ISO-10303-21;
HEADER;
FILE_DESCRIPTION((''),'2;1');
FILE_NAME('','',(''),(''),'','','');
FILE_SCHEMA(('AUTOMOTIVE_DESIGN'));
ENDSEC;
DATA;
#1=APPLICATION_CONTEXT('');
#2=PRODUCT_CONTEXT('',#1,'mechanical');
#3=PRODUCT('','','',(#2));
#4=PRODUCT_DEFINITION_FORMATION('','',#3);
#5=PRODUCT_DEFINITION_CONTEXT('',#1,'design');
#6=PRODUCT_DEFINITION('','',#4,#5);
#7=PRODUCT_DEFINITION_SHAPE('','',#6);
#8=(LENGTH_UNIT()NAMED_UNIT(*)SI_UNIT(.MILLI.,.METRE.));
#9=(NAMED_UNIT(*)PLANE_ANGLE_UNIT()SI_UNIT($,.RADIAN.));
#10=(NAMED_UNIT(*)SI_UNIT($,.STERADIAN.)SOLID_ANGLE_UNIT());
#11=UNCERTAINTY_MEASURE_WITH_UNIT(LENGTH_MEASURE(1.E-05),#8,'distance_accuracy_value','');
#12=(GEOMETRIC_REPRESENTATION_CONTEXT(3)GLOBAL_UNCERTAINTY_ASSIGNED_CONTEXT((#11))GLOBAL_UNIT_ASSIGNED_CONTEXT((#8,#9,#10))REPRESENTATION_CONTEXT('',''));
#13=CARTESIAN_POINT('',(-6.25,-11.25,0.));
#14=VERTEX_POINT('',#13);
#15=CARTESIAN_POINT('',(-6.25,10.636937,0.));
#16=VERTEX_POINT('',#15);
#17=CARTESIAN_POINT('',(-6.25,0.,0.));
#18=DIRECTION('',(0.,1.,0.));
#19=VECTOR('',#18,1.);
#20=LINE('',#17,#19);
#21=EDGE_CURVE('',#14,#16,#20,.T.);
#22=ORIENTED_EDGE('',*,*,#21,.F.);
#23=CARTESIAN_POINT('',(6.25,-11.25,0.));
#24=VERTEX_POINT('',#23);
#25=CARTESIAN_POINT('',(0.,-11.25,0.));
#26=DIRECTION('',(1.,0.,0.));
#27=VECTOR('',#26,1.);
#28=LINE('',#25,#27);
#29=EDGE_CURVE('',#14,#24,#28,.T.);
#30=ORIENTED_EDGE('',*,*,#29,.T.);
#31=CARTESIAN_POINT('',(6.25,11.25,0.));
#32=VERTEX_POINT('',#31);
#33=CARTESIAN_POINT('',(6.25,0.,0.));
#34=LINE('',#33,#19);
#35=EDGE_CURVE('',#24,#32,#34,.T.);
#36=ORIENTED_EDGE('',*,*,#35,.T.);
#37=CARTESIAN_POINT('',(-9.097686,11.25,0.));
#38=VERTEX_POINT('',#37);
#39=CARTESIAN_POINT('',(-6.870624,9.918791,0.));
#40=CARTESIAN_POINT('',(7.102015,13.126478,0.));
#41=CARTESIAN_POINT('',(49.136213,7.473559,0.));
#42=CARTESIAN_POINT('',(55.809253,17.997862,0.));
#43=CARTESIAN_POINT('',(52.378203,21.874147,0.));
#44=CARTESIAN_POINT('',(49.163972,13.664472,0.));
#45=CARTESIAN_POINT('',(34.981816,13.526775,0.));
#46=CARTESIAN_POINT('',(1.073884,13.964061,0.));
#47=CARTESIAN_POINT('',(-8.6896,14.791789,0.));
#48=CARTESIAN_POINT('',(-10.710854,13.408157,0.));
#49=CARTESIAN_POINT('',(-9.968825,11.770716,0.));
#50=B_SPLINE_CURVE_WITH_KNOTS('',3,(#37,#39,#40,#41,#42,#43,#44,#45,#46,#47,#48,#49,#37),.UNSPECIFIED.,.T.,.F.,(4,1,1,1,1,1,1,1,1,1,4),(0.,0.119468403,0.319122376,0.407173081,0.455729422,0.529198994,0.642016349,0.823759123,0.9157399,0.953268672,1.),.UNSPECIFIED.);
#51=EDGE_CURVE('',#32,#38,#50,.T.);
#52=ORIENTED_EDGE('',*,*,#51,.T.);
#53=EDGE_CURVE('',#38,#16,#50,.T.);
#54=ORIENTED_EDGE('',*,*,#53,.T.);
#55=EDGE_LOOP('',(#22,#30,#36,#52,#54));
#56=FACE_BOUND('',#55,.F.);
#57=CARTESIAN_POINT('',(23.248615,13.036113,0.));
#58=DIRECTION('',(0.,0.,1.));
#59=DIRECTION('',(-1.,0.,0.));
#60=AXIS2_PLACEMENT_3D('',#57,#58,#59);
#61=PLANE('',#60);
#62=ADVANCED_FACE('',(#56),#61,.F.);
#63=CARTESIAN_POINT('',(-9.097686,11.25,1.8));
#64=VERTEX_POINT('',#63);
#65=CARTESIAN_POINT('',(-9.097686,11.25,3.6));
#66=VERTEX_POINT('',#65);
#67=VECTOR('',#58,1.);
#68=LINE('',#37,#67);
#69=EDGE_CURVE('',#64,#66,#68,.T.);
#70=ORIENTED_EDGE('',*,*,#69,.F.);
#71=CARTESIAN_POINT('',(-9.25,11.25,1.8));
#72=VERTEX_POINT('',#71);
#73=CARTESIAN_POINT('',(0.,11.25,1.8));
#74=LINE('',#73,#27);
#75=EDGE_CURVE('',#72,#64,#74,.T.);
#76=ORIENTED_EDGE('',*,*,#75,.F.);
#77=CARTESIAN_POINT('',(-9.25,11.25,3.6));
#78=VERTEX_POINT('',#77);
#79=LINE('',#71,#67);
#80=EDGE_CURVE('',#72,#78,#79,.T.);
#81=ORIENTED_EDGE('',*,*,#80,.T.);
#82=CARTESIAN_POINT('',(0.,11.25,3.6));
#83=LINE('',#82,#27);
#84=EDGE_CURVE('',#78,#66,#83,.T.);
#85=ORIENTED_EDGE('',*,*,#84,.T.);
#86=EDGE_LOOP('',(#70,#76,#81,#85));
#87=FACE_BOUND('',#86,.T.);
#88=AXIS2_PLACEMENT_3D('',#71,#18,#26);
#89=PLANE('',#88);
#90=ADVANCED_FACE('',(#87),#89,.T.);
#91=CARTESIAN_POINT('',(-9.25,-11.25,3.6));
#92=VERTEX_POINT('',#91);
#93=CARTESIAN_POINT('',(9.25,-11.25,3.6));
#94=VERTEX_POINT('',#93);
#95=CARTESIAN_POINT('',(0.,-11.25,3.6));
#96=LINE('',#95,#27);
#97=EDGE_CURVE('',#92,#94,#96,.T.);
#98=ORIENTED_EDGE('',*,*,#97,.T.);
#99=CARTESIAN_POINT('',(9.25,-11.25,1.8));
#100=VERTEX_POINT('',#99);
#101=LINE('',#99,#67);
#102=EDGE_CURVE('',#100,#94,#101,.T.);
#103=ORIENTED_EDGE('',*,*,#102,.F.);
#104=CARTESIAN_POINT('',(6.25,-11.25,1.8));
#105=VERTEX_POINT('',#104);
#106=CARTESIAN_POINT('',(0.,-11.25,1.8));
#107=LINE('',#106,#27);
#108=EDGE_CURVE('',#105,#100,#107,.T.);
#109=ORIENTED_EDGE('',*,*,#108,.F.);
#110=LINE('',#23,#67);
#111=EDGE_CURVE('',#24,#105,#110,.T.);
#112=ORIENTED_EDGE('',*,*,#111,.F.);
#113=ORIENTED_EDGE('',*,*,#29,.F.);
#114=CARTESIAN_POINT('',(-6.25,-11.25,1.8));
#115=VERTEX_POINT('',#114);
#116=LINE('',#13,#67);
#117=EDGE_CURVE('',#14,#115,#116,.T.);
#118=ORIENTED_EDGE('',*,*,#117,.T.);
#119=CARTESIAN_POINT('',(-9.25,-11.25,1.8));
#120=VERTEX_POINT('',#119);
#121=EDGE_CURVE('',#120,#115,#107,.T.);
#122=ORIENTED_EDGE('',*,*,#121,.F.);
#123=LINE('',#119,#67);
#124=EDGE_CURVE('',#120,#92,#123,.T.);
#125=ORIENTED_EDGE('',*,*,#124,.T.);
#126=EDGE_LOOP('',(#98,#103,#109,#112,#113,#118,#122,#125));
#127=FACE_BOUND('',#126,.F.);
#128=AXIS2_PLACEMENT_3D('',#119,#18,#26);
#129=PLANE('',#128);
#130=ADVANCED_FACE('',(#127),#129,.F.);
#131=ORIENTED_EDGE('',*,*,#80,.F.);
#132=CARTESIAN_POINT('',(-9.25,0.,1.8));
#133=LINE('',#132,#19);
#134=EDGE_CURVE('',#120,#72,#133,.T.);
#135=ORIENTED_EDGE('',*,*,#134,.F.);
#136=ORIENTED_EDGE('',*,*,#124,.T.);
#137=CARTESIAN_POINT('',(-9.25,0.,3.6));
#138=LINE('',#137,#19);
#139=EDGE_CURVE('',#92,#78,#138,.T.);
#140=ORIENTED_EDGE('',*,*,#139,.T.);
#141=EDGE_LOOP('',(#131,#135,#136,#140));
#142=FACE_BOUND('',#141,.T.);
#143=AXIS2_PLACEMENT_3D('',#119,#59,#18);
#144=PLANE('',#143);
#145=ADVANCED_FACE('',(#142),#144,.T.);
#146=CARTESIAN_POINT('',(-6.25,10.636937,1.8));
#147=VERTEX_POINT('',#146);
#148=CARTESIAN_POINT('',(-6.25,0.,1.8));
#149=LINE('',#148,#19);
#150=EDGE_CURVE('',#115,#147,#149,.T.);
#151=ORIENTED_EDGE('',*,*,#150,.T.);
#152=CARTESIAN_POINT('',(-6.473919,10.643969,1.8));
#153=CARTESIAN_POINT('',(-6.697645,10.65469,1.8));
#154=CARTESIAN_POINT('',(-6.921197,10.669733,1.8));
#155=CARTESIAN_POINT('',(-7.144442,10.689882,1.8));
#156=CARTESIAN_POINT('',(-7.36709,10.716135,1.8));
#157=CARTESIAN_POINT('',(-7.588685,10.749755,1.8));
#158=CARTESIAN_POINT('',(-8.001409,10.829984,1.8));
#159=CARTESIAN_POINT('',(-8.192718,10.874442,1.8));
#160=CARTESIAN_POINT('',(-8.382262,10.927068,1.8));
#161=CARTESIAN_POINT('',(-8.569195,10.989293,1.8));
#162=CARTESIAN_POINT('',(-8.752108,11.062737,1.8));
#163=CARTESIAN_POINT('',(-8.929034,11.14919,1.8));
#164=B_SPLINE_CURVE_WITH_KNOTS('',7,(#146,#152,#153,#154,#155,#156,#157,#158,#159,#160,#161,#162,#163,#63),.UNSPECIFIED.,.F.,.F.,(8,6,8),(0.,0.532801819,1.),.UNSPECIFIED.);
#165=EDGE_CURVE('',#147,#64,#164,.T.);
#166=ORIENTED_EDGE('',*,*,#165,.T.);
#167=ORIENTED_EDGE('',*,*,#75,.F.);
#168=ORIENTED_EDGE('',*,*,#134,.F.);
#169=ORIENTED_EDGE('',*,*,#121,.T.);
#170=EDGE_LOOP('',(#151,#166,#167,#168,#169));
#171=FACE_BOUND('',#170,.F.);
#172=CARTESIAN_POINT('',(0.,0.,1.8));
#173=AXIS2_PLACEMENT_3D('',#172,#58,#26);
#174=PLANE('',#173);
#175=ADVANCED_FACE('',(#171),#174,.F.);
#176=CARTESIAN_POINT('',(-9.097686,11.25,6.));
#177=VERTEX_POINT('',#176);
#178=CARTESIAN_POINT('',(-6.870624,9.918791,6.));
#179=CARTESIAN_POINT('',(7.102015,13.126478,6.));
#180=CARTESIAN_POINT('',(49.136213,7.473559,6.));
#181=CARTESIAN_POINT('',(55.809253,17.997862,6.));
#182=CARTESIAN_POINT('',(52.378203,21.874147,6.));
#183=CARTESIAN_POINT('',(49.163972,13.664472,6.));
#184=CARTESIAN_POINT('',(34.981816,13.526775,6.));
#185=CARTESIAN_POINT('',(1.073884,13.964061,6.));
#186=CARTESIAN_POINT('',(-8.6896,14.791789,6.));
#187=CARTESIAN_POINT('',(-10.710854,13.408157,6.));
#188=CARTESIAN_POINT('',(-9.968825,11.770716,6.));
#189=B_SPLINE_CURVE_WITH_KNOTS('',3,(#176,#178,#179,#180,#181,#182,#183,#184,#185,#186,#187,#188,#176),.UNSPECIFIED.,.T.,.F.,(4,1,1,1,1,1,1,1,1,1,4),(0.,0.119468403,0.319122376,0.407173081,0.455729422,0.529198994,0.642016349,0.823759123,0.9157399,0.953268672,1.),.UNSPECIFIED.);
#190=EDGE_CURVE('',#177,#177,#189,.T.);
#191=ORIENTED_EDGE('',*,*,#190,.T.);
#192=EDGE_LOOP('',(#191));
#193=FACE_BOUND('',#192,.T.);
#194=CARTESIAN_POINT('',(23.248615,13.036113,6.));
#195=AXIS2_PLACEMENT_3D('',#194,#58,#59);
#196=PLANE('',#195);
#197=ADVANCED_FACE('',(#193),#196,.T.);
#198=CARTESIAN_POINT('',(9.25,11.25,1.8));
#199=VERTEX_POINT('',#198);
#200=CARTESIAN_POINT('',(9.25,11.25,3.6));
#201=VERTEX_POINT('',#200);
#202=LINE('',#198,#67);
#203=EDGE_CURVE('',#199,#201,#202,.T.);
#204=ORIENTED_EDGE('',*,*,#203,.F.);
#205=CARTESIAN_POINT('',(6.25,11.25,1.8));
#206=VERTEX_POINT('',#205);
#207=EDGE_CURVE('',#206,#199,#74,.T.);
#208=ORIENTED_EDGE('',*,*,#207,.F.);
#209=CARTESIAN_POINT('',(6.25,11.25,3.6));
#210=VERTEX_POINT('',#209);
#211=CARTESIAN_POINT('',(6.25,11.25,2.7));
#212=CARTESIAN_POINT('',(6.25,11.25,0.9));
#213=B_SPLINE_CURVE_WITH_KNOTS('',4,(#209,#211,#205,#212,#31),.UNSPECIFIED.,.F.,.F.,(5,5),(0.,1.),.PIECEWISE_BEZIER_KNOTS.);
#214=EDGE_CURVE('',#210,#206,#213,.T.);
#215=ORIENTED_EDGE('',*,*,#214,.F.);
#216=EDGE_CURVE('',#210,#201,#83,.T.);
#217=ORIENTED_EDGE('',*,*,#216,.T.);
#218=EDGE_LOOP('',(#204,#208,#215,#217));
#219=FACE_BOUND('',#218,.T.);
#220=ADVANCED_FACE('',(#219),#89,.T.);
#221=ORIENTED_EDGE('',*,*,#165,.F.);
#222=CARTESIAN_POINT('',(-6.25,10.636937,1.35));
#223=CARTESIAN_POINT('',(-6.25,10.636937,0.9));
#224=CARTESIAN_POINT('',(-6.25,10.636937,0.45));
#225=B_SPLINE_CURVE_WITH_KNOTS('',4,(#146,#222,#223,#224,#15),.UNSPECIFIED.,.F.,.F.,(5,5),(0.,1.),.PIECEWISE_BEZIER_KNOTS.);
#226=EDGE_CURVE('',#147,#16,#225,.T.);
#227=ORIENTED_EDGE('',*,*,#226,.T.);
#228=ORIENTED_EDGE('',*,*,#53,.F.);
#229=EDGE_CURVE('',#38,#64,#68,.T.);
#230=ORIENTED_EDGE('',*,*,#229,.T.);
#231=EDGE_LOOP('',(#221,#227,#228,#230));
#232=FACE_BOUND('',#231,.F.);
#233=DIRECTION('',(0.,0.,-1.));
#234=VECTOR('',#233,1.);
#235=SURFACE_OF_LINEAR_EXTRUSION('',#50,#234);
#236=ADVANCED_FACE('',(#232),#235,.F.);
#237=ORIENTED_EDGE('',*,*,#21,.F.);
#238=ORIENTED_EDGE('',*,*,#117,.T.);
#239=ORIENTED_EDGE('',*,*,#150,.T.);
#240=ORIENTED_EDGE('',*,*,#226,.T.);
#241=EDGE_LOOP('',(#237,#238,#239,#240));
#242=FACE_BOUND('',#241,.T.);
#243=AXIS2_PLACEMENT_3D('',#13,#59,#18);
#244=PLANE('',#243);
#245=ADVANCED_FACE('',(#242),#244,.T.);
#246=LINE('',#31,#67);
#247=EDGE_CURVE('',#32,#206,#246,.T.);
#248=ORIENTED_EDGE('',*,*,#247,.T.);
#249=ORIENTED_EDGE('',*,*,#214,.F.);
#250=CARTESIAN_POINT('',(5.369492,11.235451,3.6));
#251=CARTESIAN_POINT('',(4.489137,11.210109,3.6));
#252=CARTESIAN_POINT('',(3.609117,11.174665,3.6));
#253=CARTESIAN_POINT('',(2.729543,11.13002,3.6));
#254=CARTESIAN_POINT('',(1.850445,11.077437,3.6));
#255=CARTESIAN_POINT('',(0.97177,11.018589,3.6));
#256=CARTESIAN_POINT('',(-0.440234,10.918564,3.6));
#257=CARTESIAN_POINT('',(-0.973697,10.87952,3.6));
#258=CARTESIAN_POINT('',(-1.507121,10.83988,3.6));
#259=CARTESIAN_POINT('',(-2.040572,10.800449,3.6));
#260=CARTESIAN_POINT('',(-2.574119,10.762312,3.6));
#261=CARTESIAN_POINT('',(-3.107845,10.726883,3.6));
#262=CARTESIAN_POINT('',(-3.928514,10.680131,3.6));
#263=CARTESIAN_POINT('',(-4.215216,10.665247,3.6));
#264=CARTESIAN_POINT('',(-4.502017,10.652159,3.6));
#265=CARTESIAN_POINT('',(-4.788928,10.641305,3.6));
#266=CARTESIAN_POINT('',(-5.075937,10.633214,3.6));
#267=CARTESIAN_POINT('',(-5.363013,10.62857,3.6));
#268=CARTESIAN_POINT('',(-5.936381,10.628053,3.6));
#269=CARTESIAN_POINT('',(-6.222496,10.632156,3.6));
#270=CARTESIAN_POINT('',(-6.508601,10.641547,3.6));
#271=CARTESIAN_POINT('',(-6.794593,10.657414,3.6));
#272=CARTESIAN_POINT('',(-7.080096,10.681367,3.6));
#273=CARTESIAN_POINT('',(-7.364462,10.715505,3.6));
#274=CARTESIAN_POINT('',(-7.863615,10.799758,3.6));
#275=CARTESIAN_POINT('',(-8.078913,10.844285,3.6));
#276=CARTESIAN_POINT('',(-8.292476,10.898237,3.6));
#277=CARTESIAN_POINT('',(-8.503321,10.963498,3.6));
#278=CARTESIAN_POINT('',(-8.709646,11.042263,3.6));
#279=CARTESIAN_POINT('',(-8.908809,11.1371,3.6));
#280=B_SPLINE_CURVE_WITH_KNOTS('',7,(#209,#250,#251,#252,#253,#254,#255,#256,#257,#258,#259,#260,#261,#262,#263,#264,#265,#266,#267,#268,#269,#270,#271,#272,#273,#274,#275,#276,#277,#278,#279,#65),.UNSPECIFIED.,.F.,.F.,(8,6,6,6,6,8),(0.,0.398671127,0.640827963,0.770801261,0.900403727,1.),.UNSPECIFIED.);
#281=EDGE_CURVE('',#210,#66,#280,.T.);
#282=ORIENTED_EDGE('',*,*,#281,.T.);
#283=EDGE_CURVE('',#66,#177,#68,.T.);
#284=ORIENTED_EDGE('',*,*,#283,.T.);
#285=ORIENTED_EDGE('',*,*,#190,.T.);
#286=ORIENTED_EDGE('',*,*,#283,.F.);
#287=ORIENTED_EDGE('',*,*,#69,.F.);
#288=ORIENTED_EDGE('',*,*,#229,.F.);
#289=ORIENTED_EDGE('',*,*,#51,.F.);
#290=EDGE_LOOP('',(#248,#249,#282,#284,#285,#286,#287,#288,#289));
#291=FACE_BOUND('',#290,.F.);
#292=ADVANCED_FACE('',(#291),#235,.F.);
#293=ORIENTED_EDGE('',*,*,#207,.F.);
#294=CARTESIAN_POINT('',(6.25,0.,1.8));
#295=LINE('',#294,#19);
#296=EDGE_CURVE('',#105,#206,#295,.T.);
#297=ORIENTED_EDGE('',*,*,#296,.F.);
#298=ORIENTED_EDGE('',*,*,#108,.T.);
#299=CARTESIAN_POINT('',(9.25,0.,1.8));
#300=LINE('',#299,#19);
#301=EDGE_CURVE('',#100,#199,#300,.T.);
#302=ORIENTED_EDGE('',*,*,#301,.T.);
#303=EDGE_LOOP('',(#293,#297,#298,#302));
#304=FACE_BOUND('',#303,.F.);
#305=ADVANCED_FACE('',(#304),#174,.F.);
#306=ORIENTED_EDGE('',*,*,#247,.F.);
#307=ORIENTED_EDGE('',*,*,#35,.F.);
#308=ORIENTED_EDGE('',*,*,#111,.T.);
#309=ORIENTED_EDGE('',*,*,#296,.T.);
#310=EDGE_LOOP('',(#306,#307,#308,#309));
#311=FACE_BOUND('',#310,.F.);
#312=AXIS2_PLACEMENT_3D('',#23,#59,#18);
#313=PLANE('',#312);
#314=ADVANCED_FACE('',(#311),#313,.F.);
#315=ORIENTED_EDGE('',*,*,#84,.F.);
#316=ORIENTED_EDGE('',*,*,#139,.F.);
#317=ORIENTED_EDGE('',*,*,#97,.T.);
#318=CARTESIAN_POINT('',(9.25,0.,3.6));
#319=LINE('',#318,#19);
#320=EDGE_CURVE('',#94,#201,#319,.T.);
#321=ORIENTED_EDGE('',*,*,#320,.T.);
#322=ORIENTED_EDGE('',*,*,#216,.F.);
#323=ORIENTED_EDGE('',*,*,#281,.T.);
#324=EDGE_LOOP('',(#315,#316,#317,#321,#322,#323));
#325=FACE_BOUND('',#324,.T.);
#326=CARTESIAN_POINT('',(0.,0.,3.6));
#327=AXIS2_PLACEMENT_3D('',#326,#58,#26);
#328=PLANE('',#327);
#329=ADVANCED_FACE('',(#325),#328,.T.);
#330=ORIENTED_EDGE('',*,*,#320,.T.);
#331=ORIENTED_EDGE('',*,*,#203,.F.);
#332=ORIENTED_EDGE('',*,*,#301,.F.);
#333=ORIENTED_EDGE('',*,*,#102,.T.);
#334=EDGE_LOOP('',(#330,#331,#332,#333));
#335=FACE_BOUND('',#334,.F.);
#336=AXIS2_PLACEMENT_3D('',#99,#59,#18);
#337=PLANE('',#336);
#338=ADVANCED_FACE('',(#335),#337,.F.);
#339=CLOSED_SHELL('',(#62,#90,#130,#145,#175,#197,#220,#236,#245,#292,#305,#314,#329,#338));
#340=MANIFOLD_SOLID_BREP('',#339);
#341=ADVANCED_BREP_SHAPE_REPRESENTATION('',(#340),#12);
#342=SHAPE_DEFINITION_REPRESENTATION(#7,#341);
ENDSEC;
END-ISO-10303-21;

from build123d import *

# Parameters (mm, degrees)
F0_W     = 12.5
F0_H     = 22.5
F1_DEPTH = 1.8
F2_W     = 18.5
F2_H     = 22.5
F3_DEPTH = 1.8
F5_DEPTH = 6


with BuildPart() as f1:
    # F0 (on Top) → F1 (new body)
    with BuildSketch(Plane.XY):
        Rectangle(F0_W, F0_H)
    extrude(amount=F1_DEPTH)

    # F2 (on face) → F3 (join)
    with BuildSketch(Plane.XY.offset(1.8)):
        Rectangle(F2_W, F2_H)
    extrude(amount=F3_DEPTH)

    # F4 (on face) → F5 (join)
    with BuildSketch(Plane(origin=(0, 0, 0), x_dir=(1, 0, 0), z_dir=(0, 0, -1))):
        with BuildLine():
            add(Edge.make_bspline(
                [(-9.0976858254, -11.25), (-6.8706241368, -9.9187913919), (7.1020154957, -13.1264777363), (49.136212841, -7.4735594424), (55.8092531319, -17.9978619181), (52.3782028422, -21.8741470739), (49.1639717171, -13.6644720864), (34.9818160527, -13.5267746198), (1.0738841294, -13.9640607138), (-8.6895998134, -14.7917894133), (-10.7108542551, -13.408156573), (-9.9688245371, -11.7707163133), (-9.0976858254, -11.25)],
                knots=[0, 0, 0, 0, 0.1194684025, 0.3191223759, 0.4071730815, 0.4557294221, 0.5291989938, 0.642016349, 0.8237591227, 0.9157398997, 0.953268672, 1, 1, 1, 1], degree=3))
        make_face()
    extrude(amount=-F5_DEPTH)


solid = f1.part
